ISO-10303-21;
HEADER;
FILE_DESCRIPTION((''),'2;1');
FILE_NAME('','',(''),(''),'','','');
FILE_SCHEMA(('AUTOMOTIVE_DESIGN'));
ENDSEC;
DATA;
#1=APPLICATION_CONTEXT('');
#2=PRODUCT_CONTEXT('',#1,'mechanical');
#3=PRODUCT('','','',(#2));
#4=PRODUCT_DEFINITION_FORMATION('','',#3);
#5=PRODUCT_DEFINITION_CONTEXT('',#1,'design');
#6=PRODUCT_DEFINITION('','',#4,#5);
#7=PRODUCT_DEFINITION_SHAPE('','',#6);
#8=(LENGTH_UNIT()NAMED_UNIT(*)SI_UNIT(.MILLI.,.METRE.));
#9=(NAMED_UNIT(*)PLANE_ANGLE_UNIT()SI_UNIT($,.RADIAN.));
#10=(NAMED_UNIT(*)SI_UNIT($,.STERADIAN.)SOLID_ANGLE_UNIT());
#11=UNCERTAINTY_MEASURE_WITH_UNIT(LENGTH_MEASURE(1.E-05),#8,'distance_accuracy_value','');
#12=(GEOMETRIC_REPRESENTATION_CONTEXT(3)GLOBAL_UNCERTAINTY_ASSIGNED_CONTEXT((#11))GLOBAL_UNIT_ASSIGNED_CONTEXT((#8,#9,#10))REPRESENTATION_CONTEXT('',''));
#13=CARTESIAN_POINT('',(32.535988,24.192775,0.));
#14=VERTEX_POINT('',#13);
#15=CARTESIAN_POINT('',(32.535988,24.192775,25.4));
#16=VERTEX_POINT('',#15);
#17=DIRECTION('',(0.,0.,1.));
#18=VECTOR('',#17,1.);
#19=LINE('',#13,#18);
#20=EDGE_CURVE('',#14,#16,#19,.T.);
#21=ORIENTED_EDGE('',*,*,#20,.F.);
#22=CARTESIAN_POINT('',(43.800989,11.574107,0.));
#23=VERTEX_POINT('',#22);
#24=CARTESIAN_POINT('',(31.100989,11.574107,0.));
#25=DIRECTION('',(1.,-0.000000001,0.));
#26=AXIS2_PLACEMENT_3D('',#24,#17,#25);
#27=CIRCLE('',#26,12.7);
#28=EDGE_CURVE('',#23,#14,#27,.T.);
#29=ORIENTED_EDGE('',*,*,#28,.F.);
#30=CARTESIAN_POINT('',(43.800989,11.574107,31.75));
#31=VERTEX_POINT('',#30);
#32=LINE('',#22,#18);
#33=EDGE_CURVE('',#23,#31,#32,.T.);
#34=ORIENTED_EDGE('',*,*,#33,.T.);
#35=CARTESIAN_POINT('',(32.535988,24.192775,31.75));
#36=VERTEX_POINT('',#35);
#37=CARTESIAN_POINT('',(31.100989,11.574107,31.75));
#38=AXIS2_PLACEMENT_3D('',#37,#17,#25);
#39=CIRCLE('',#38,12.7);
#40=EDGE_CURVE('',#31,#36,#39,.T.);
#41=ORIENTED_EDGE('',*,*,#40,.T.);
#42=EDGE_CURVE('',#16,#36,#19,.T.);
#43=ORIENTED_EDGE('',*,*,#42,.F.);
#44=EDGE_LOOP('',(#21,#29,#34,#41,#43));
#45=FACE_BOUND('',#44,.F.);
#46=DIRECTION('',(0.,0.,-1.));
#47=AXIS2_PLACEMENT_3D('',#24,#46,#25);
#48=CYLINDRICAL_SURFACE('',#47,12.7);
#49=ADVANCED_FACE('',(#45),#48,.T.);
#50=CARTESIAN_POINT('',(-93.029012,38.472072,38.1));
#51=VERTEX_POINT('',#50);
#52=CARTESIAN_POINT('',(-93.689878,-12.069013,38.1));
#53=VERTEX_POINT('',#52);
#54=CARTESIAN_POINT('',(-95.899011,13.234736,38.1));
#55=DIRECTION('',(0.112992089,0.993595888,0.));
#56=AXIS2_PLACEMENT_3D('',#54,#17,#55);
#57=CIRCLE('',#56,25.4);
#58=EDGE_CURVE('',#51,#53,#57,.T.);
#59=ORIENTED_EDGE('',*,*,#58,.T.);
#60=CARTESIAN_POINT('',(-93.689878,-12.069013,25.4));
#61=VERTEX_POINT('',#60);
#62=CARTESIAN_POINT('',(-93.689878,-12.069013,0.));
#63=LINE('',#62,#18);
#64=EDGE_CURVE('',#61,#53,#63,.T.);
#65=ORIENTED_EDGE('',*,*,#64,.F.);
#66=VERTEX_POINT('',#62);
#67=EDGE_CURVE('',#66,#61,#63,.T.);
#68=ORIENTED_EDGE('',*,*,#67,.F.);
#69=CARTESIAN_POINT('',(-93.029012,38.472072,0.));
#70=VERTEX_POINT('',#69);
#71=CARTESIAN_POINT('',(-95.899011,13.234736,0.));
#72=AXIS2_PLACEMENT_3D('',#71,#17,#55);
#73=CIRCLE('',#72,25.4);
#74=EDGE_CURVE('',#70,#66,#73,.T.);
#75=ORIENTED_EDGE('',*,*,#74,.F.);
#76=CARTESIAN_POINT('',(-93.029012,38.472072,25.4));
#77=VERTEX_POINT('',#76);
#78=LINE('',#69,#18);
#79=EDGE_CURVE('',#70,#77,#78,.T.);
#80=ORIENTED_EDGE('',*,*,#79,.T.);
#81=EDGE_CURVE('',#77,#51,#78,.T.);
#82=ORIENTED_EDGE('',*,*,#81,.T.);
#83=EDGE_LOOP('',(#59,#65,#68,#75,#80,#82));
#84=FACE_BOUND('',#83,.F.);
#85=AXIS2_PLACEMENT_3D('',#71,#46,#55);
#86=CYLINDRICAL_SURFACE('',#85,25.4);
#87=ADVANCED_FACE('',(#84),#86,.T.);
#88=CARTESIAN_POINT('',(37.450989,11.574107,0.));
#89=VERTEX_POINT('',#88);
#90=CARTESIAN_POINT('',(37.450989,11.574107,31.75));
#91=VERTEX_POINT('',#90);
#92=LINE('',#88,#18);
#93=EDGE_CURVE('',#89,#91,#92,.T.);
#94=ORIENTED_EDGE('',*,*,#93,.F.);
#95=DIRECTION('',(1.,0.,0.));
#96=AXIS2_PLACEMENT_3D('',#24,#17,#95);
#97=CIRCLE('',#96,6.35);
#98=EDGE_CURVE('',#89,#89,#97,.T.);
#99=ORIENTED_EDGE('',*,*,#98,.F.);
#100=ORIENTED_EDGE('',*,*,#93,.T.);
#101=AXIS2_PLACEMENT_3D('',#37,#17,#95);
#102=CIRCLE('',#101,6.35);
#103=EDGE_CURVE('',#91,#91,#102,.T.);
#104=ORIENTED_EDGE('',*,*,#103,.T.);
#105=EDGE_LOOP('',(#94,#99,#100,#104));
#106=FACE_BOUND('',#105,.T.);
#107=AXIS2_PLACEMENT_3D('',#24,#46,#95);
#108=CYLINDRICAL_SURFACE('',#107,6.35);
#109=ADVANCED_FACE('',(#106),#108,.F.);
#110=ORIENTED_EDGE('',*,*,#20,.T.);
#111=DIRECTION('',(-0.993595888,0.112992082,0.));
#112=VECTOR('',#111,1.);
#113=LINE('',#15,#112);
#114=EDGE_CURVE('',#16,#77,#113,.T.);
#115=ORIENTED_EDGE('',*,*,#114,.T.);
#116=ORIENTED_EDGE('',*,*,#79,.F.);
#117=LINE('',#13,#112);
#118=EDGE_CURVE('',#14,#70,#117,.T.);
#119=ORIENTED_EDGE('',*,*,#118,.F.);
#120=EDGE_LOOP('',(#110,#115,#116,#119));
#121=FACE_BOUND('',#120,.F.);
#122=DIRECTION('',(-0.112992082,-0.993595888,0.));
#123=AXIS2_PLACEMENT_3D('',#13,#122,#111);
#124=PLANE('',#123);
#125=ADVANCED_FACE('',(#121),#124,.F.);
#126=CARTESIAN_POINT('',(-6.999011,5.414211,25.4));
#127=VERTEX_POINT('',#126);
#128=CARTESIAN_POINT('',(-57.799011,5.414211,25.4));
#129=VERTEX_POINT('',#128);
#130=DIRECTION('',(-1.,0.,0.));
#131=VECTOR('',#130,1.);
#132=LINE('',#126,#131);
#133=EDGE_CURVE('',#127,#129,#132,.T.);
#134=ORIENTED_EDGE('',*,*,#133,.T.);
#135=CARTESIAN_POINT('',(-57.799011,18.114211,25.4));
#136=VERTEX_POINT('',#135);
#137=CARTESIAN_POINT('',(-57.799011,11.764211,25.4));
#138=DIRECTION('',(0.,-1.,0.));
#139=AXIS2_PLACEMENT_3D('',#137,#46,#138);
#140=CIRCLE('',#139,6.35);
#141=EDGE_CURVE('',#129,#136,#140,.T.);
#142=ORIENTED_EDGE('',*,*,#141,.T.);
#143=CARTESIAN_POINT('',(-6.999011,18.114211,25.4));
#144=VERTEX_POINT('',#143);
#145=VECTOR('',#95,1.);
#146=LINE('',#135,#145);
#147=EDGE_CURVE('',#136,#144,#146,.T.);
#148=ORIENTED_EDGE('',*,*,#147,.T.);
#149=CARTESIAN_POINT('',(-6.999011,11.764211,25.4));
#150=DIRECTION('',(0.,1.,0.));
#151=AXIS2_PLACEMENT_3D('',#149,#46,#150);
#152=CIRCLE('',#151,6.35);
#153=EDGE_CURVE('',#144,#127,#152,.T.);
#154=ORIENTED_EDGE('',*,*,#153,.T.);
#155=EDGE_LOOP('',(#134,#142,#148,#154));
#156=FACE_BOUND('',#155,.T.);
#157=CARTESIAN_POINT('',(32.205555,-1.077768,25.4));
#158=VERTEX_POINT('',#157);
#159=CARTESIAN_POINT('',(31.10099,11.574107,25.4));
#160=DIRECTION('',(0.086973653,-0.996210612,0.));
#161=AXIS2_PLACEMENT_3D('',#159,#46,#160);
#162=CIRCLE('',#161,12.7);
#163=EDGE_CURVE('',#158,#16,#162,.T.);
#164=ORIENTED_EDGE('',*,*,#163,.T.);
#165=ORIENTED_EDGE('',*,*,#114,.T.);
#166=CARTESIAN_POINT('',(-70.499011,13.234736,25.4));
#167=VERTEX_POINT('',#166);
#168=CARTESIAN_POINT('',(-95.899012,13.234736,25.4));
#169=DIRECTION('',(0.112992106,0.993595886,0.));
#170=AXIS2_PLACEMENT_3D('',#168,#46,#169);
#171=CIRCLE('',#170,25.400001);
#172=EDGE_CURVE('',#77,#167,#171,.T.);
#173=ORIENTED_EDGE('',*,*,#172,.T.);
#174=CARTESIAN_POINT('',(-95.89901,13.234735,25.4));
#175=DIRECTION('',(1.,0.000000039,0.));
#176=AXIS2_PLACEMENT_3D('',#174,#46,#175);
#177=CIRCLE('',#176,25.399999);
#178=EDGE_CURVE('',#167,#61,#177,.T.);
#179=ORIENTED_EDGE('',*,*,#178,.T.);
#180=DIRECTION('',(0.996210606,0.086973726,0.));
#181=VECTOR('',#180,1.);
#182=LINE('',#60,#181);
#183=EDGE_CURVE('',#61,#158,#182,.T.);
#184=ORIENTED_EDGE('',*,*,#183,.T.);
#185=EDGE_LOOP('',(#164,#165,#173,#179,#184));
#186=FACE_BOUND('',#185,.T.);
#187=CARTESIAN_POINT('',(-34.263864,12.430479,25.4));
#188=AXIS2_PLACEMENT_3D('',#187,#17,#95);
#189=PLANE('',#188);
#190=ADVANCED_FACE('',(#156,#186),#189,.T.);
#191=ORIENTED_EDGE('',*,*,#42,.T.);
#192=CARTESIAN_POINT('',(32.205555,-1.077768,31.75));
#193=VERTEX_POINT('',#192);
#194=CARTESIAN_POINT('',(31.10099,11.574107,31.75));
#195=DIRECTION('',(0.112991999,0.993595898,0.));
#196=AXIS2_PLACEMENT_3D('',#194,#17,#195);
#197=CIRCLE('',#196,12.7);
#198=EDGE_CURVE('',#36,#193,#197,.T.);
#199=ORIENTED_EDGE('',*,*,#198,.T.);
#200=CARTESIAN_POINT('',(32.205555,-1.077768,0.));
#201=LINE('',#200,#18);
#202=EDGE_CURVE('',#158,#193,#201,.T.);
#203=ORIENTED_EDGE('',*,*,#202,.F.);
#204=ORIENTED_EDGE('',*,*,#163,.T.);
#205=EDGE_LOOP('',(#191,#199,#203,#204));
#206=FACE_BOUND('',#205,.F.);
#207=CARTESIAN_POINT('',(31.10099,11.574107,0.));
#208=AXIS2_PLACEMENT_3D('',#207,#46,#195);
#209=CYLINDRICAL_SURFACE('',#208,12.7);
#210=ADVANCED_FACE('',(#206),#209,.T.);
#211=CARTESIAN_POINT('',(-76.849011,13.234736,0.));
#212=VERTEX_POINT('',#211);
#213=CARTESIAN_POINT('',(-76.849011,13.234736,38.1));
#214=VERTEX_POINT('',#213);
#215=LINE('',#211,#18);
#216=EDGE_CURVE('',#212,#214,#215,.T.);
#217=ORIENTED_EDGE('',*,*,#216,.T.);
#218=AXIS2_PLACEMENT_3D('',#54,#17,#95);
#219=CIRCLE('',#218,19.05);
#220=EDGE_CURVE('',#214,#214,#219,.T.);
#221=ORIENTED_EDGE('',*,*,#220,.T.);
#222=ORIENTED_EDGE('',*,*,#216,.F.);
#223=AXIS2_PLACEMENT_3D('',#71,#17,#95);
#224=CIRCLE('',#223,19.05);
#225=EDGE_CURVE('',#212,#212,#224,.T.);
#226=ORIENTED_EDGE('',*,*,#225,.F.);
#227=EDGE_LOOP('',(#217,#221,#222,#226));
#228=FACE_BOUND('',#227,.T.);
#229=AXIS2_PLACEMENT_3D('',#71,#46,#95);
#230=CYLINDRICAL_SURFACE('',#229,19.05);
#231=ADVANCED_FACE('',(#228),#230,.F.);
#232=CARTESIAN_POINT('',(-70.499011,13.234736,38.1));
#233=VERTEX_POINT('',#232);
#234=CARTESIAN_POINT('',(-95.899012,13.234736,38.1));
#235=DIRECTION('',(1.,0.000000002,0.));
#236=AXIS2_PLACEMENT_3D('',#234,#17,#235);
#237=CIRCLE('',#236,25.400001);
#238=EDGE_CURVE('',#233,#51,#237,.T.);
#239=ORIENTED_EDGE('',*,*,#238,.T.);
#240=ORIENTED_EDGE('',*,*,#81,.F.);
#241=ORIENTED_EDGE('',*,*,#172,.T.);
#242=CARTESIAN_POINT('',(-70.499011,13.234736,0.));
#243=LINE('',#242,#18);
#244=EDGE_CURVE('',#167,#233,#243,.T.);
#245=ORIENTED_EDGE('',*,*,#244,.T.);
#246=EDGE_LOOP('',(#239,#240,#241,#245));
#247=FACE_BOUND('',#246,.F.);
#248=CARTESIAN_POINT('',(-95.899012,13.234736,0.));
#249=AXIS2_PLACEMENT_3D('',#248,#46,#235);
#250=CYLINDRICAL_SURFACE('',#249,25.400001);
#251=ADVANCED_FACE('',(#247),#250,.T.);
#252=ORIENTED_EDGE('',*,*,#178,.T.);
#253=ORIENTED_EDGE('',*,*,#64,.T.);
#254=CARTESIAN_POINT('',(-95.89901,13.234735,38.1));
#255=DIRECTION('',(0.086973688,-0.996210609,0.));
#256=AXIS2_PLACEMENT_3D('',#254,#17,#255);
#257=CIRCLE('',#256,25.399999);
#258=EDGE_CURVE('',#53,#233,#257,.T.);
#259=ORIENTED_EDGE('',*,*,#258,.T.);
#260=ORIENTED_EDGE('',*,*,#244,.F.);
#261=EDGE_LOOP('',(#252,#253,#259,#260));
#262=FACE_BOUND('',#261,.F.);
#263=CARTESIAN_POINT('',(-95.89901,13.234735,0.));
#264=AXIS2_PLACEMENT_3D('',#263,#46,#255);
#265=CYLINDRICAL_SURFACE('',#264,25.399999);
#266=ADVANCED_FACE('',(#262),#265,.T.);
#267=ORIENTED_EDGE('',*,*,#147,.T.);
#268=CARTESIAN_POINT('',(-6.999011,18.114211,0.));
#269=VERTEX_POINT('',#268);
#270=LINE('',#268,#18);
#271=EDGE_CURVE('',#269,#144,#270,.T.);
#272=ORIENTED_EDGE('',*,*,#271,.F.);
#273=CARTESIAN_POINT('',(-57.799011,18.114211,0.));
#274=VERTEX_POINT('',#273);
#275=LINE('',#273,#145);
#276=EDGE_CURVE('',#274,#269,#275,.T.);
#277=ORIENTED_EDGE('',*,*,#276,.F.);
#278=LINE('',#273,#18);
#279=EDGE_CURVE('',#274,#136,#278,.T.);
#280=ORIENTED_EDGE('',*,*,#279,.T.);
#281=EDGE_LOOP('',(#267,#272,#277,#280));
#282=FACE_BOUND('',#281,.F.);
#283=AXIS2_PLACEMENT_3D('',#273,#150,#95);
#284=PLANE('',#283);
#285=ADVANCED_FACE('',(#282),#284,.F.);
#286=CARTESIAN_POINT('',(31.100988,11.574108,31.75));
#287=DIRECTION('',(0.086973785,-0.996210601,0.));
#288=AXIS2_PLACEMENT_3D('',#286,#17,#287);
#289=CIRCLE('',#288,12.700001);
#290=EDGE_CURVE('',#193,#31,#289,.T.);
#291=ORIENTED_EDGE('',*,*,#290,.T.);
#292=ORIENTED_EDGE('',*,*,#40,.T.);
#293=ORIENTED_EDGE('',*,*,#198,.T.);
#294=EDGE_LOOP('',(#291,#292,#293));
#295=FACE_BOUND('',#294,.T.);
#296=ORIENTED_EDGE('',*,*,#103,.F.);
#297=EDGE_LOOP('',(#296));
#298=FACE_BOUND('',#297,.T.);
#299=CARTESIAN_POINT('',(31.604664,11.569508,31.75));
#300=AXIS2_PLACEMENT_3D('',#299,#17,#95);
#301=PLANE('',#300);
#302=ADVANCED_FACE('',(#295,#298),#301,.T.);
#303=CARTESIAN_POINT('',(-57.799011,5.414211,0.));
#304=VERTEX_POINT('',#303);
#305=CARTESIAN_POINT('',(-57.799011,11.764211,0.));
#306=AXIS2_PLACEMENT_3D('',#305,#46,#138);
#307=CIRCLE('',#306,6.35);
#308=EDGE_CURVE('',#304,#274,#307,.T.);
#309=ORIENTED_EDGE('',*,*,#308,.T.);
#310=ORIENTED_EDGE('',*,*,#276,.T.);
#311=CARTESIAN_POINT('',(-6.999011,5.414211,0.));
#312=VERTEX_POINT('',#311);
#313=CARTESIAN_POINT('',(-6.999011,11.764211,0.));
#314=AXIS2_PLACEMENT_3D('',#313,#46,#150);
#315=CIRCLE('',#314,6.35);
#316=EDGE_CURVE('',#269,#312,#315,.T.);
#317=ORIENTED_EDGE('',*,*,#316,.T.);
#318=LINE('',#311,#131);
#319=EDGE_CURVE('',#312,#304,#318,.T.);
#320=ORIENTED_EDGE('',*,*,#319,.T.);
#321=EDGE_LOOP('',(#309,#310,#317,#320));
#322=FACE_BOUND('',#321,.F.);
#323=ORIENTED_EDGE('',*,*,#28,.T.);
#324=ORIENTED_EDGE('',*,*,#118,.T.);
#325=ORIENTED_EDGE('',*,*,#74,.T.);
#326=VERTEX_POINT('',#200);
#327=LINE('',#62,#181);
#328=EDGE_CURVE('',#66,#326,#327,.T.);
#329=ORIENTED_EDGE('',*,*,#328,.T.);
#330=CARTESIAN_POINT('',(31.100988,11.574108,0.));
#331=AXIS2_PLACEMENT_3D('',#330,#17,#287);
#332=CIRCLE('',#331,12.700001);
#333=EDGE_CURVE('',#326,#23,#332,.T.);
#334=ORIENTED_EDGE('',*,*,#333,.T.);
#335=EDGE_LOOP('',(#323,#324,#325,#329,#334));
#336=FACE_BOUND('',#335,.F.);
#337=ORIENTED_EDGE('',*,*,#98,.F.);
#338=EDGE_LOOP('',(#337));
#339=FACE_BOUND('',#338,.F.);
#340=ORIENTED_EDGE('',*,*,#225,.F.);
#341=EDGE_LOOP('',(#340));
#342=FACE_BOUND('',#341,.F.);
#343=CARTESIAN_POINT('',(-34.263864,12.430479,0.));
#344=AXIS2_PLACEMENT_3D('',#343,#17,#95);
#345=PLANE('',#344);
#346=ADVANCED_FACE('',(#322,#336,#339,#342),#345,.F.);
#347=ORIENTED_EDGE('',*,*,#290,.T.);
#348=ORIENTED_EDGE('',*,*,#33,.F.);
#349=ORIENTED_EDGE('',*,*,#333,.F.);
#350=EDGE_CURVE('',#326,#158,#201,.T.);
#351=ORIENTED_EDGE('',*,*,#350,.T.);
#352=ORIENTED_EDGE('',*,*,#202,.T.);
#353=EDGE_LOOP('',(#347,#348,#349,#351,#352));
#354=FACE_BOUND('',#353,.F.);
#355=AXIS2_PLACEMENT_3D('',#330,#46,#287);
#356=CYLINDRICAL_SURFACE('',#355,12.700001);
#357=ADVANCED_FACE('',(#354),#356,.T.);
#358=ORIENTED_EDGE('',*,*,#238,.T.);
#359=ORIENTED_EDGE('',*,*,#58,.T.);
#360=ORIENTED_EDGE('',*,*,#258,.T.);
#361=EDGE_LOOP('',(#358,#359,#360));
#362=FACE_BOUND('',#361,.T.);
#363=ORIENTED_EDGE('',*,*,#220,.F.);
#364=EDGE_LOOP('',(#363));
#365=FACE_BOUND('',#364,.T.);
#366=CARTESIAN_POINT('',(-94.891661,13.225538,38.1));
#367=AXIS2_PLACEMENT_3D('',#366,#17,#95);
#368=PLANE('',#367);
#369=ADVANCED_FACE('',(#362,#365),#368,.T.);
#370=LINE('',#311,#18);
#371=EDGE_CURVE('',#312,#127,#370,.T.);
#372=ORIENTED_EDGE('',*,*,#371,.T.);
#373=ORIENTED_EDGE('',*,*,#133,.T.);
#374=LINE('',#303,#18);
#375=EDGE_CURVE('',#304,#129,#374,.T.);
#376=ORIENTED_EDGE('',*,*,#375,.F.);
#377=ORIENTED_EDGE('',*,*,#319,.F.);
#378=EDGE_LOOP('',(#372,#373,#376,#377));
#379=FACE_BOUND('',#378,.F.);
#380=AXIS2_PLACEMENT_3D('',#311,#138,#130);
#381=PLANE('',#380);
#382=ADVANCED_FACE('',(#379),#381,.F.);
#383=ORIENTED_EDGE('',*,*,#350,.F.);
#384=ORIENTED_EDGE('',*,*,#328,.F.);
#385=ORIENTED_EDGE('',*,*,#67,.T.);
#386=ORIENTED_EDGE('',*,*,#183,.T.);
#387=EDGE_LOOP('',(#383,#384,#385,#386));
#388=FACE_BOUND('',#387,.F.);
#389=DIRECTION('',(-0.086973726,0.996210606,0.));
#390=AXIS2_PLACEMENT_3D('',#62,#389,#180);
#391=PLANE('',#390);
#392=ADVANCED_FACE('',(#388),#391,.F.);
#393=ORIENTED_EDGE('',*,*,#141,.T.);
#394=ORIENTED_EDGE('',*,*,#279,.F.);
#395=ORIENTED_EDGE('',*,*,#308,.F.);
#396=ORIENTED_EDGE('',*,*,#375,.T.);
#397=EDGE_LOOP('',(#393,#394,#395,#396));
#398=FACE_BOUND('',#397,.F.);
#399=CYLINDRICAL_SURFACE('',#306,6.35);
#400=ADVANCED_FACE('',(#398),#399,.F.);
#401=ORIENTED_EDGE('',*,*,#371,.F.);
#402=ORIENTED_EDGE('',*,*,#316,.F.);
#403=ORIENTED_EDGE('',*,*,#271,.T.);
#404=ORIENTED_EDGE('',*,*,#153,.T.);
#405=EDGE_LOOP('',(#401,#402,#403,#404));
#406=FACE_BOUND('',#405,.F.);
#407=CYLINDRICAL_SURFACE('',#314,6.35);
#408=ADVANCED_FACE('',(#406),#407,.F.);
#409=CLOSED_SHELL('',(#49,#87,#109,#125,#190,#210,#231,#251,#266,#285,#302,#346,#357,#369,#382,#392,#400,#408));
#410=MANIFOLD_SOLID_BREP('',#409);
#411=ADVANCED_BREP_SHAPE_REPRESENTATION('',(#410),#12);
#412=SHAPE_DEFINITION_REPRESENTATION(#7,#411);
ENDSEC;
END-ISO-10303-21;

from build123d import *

# Parameters (mm, degrees)
F0_R     = 19.05
F1_DEPTH = 38.1
F0_R_2   = 6.35
F2_DEPTH = 31.75
F3_DEPTH = 25.4


with BuildPart() as f1:
    # F0 (on Top) → F1 (new body)
    with BuildSketch(Plane.XY):
        with BuildLine():
            ThreePointArc((-93.689878, -12.069013), (-77.173734, -3.926966), (-70.499011, 13.234736))
            ThreePointArc((-70.499011, 13.234736), (-76.950951, 30.150144), (-93.029012, 38.472072))
            ThreePointArc((-93.029012, 38.472072), (-121.29684, 13.566834), (-93.689878, -12.069013))
        make_face()
        with Locations((-95.899011, 13.234736)):
            Circle(F0_R, mode=Mode.SUBTRACT)
    extrude(amount=F1_DEPTH)



with BuildPart() as f2:
    # F0 (on Top) → F2 (new body)
    with BuildSketch(Plane.XY):
        with BuildLine():
            ThreePointArc((43.800989, 11.574107), (40.575019, 20.031811), (32.535988, 24.192775))
            ThreePointArc((32.535988, 24.192775), (18.402075, 11.740156), (32.205555, -1.077768))
            ThreePointArc((32.205555, -1.077768), (40.463627, 2.993256), (43.800989, 11.574107))
        make_face()
        with Locations((31.100989, 11.574107)):
            Circle(F0_R_2, mode=Mode.SUBTRACT)
    extrude(amount=F2_DEPTH)


with BuildPart() as f1_1:
    add(f1.part)

    add(f2.part)  # F3 merges F2
    # F0 (on Top) → F3 (join)
    with BuildSketch(Plane.XY):
        with BuildLine():
            ThreePointArc((-93.029012, 38.472072), (-76.950951, 30.150144), (-70.499011, 13.234736))
            ThreePointArc((-70.499011, 13.234736), (-77.173734, -3.926966), (-93.689878, -12.069013))
            Line((-93.689878, -12.069013), (32.205555, -1.077768))
            ThreePointArc((32.205555, -1.077768), (18.402075, 11.740156), (32.535988, 24.192775))
            Line((32.535988, 24.192775), (-93.029012, 38.472072))
        make_face()
        with BuildLine():
            ThreePointArc((-57.799011, 5.414211), (-64.149011, 11.764211), (-57.799011, 18.114211))
            Line((-57.799011, 18.114211), (-6.999011, 18.114211))
            ThreePointArc((-6.999011, 18.114211), (-0.649011, 11.764211), (-6.999011, 5.414211))
            Line((-6.999011, 5.414211), (-57.799011, 5.414211))
        make_face(mode=Mode.SUBTRACT)
    extrude(amount=F3_DEPTH)


solid = f1_1.part
